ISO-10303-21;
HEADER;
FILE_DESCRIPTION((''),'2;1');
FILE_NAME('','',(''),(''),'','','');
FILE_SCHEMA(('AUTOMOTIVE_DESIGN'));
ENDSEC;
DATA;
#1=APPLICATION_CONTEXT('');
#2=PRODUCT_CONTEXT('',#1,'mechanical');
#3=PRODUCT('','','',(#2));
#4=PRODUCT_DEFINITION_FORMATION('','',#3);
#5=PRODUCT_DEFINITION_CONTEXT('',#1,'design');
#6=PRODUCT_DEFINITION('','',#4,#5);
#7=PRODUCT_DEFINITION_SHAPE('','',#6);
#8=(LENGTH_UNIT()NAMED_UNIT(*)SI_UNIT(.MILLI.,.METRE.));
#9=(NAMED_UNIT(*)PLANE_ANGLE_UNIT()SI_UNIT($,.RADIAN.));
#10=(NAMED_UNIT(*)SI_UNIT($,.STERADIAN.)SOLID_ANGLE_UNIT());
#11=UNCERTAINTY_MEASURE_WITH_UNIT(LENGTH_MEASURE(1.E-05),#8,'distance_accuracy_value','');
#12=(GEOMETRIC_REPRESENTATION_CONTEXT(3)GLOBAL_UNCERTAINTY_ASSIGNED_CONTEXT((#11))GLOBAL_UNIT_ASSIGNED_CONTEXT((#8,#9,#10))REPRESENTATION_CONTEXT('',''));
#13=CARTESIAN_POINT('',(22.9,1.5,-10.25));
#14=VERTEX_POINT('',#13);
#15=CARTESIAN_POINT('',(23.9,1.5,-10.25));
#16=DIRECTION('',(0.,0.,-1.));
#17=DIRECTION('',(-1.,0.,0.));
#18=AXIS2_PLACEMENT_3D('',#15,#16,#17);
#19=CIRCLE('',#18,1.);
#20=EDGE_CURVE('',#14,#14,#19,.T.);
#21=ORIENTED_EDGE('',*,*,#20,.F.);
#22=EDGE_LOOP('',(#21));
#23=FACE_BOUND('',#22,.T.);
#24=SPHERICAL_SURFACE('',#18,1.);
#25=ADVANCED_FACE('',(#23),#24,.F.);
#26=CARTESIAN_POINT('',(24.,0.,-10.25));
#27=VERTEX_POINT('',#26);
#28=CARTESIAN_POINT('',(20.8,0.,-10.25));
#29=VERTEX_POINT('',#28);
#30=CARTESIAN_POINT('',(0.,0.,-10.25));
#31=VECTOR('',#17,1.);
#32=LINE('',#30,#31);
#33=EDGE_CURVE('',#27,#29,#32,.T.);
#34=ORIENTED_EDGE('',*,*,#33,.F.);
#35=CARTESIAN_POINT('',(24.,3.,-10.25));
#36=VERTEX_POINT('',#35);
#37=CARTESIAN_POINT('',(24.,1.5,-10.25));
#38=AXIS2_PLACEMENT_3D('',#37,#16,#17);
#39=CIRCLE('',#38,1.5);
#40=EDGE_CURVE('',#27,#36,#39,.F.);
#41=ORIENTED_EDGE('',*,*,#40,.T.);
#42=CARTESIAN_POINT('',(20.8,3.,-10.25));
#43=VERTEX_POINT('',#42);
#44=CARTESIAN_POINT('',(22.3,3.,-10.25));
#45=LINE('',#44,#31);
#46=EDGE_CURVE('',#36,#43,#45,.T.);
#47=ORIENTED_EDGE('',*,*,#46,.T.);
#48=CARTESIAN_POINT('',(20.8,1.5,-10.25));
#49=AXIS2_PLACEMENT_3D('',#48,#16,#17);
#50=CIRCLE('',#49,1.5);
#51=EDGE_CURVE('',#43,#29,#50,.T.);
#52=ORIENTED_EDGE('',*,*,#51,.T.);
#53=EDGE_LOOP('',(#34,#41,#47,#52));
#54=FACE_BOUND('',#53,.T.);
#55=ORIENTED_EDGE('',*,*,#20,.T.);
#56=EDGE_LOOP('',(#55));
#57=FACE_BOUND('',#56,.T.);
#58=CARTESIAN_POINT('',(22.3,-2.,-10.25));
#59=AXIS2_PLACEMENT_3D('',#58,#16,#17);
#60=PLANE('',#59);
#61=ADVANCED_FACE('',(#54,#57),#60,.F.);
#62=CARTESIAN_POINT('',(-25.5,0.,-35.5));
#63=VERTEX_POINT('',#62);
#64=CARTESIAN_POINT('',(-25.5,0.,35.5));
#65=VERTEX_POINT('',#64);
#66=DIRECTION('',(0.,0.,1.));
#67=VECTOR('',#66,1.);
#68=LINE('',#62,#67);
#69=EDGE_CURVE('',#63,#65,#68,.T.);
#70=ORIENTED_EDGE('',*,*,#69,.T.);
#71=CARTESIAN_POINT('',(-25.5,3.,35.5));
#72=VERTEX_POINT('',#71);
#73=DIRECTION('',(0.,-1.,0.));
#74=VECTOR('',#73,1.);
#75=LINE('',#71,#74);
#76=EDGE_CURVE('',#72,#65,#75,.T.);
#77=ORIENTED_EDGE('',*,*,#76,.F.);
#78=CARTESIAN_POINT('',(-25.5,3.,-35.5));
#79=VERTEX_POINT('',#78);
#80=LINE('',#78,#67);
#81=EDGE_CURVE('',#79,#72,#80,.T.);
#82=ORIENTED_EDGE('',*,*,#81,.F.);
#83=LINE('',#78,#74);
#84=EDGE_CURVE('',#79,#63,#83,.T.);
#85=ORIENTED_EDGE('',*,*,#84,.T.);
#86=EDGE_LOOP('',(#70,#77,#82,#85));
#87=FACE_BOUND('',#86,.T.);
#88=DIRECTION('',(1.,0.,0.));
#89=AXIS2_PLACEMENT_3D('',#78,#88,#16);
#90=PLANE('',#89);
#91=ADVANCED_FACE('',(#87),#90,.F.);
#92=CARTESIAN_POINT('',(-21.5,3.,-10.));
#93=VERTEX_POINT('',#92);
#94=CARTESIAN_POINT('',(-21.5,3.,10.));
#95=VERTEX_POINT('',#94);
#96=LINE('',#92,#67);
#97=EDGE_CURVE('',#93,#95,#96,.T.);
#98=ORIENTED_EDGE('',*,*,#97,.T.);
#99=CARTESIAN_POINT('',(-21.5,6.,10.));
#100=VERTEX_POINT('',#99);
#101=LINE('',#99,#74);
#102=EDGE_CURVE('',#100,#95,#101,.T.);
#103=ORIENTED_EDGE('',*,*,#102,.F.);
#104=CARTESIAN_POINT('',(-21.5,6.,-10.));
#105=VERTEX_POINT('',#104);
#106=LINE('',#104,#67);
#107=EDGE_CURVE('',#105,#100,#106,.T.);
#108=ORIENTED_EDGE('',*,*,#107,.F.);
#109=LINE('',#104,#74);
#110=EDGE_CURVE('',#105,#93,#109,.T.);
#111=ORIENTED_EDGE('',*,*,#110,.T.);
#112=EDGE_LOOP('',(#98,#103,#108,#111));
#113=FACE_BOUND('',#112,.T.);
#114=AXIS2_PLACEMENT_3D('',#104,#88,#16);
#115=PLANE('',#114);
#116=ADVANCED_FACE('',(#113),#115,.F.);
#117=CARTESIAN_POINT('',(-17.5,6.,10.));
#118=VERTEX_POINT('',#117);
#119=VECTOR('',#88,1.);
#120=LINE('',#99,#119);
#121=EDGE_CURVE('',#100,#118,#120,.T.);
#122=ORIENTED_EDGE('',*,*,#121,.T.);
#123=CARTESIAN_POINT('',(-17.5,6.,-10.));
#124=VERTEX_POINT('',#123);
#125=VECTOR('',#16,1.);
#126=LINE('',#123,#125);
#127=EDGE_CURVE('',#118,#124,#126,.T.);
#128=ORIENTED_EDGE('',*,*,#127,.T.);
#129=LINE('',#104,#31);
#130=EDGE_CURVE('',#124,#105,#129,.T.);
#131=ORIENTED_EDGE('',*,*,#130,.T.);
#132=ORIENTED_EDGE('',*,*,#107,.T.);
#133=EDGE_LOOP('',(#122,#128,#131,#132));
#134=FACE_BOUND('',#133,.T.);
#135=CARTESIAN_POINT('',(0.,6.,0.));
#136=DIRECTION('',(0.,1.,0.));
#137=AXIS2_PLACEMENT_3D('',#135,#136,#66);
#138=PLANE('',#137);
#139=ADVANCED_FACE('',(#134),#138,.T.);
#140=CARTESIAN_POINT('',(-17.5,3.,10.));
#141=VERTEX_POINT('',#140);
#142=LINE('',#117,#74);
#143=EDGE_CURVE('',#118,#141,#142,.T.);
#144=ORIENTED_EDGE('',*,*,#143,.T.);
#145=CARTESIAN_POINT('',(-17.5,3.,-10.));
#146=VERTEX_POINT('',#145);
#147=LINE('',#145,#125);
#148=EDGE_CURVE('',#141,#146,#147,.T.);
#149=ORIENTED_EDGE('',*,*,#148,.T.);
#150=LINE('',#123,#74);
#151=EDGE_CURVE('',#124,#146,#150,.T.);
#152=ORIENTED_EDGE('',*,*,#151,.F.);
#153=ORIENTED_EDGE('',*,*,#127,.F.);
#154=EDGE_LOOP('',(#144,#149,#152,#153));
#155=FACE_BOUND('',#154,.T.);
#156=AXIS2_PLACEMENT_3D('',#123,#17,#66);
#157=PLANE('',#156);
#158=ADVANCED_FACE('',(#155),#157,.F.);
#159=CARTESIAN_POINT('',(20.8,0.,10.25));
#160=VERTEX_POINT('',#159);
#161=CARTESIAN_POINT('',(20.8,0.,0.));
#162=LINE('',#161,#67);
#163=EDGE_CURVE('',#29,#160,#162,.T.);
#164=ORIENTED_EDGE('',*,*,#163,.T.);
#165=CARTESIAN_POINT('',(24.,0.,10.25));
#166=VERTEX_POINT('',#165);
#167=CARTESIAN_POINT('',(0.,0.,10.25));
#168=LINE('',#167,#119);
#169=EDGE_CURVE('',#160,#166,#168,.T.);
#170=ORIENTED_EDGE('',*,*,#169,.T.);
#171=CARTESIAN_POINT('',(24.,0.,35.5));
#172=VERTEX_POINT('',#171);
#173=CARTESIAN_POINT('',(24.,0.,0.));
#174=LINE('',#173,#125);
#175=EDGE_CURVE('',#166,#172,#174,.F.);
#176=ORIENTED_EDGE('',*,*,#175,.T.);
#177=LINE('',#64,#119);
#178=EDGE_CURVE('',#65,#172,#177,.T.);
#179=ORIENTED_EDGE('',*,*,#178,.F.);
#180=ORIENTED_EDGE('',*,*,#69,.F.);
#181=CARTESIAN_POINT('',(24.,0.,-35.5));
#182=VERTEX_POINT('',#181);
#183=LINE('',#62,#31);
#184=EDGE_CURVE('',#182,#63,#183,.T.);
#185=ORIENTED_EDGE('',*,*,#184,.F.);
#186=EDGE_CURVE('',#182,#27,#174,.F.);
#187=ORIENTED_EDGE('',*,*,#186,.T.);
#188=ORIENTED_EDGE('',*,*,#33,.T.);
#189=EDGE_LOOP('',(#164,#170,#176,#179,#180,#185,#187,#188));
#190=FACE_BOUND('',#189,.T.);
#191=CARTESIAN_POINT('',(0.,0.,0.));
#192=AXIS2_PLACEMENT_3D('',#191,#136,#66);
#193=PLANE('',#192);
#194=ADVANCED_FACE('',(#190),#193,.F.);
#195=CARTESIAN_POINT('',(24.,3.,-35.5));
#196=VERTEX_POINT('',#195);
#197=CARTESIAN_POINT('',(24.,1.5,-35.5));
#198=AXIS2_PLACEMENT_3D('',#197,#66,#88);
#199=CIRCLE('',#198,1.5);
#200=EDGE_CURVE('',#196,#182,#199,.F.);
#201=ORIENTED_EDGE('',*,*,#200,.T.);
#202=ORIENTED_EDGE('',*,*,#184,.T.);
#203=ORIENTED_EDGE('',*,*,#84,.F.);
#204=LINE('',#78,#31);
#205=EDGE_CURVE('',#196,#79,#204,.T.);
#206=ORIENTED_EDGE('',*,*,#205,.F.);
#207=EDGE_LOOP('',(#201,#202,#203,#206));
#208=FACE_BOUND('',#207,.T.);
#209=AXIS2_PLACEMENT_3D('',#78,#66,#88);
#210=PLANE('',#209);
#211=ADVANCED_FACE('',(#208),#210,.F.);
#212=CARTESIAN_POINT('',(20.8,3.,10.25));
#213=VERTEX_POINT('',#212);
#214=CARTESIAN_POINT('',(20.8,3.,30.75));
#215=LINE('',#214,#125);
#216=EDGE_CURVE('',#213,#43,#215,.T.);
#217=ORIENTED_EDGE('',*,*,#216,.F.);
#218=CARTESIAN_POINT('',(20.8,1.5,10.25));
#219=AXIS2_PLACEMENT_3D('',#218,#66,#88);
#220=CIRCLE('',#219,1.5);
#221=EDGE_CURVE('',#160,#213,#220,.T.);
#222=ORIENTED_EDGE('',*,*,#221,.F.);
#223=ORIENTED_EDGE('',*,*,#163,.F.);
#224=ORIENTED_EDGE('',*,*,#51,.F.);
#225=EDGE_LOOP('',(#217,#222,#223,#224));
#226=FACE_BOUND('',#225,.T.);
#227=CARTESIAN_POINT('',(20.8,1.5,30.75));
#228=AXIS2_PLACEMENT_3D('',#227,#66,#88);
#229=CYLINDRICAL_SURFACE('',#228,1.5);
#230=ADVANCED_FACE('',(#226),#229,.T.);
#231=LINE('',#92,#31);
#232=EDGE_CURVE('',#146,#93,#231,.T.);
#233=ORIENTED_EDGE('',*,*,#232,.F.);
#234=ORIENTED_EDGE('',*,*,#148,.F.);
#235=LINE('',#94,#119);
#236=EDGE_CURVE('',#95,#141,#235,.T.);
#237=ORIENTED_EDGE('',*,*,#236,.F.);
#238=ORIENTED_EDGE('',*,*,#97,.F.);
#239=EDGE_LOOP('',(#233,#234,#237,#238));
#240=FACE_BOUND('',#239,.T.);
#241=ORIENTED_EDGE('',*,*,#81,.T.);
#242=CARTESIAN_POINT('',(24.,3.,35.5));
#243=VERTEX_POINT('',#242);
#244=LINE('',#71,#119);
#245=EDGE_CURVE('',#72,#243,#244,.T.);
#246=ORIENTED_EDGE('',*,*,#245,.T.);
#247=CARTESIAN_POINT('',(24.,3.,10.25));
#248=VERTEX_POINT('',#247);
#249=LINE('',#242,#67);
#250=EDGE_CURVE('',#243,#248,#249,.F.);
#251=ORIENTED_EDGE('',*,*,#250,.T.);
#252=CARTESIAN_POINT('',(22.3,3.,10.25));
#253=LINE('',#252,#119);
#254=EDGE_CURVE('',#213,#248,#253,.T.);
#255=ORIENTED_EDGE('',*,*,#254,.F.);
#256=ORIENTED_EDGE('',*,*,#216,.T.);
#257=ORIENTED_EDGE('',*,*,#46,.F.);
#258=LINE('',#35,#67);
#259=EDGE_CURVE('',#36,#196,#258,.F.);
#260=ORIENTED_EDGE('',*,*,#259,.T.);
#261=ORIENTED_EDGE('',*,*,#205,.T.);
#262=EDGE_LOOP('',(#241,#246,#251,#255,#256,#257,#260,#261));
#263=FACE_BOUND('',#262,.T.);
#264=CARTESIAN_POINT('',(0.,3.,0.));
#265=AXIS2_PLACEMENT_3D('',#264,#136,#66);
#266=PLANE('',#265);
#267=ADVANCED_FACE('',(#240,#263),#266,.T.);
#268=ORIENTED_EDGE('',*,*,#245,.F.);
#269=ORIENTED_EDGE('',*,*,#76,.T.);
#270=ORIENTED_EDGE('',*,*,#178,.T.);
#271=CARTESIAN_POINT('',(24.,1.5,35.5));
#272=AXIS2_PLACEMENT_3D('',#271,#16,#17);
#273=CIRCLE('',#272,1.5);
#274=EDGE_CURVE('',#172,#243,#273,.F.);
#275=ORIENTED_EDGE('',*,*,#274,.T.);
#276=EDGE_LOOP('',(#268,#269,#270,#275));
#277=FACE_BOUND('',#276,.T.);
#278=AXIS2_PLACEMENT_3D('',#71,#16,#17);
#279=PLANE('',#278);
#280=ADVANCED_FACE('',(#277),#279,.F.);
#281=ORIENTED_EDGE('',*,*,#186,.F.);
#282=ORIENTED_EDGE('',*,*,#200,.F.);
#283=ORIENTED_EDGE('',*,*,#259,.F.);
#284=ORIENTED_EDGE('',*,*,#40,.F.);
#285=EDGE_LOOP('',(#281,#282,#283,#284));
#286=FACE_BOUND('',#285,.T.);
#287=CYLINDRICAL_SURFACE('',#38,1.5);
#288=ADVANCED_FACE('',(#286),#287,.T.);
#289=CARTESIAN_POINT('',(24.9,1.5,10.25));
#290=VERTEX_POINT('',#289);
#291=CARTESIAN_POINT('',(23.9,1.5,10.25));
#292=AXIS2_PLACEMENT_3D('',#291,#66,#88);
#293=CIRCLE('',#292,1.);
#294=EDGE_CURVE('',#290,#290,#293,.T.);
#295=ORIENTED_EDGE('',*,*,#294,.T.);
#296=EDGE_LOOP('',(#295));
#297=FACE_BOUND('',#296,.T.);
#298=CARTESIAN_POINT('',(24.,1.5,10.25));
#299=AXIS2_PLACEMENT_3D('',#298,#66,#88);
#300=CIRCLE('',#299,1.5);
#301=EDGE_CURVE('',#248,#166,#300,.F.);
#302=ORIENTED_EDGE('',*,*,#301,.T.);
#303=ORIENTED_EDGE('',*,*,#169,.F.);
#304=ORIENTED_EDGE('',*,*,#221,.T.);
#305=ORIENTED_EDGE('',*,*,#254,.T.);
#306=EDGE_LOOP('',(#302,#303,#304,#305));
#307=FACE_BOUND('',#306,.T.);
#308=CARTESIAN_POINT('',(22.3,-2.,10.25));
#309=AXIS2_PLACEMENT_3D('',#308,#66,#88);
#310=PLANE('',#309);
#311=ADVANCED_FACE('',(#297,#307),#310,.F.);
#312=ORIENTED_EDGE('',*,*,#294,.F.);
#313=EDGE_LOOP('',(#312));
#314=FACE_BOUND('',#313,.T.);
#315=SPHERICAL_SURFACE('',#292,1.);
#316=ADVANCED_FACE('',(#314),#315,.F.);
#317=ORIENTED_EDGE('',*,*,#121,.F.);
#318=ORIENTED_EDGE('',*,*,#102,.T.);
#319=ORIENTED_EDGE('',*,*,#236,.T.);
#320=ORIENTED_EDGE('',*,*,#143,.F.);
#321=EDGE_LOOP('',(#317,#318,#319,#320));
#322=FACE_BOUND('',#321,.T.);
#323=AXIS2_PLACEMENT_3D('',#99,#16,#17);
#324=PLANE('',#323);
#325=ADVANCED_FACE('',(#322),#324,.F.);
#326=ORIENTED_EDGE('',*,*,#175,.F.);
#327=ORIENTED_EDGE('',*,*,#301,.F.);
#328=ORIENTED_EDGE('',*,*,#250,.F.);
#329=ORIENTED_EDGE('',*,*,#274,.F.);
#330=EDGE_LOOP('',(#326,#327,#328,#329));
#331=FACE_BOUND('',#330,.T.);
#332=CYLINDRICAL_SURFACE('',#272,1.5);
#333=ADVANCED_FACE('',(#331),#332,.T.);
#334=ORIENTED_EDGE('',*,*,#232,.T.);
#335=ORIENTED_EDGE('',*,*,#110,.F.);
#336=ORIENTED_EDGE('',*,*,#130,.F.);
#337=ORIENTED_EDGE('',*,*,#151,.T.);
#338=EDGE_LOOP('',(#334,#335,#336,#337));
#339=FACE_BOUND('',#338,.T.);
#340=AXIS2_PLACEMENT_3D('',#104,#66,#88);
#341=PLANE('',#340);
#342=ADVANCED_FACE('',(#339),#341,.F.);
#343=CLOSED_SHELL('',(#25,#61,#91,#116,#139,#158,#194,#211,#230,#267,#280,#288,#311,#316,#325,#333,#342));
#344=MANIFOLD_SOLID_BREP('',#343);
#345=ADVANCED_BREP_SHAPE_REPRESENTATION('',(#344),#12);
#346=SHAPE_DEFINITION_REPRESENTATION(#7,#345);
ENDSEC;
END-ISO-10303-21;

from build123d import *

# Parameters (mm, degrees)
SKETCH1_W           = 51
SKETCH1_H           = 71
BOSS_EXTRUDE1_DEPTH = 3
SKETCH2_W           = 4
SKETCH2_H           = 20
BOSS_EXTRUDE3_DEPTH = 3
SKETCH4_W           = 3.2
SKETCH4_H           = 20.5
CUT_EXTRUDE1_DEPTH  = 5
FILLET1_RADIUS      = 1.5
FILLET1_LENGTH      = 25.25
FILLET2_RADIUS      = 1.5
FILLET2_LENGTH      = 20.5
FILLET3_RADIUS      = 1.5
FILLET3_LENGTH      = 25.25


with BuildPart() as part:
    # Sketch1 → Boss-Extrude1 (new body)
    with BuildSketch(Plane(origin=(0, 0, 0), x_dir=(1, 0, 0), z_dir=(0, 1, 0))):
        Rectangle(SKETCH1_W, SKETCH1_H)
    extrude(amount=BOSS_EXTRUDE1_DEPTH)

    # Sketch2 → Boss-Extrude3 (add)
    with BuildSketch(Plane(origin=(0, 3, 0), x_dir=(1, 0, 0), z_dir=(0, 1, 0))):
        with Locations((-19.5, 0)):
            Rectangle(SKETCH2_W, SKETCH2_H)
    extrude(amount=BOSS_EXTRUDE3_DEPTH)

    # Sketch4 → Cut-Extrude1 (cut)
    with BuildSketch(Plane(origin=(0, 3, 0), x_dir=(1, 0, 0), z_dir=(0, 1, 0))):
        with Locations((23.9, 0)):
            Rectangle(SKETCH4_W, SKETCH4_H)
    extrude(amount=-CUT_EXTRUDE1_DEPTH, mode=Mode.SUBTRACT)

    # Sketch6 → Cut-Revolve1 (revolve, cut)
    with BuildSketch(Plane.XY.offset(-10.25)):
        with BuildLine():
            Line((22.90000003, 1.5), (24.89999997, 1.5))
            ThreePointArc((24.89999997, 1.5), (23.9, 0.50000003), (22.90000003, 1.5))
        make_face()
    cut_revolve1 = revolve(axis=Axis((22.90000003, 1.5, -10.25), (1, 0, 0)), mode=Mode.SUBTRACT)

    # Mirror1: Cut-Revolve1 across plane
    add(cut_revolve1.mirror(Plane.XY), mode=Mode.SUBTRACT)

    # Fillet1: full round fillet: the end face becomes a half cylinder, R = half its width
    fillet1_face = Plane((25.5, 1.5, 22.875), x_dir=(0, 0, 1), z_dir=(1, 0, 0))  # on the end face: x along it, z out of the body
    fillet1_slab = fillet1_face.offset(-FILLET1_RADIUS / 2) * Box(FILLET1_LENGTH, 2 * FILLET1_RADIUS, FILLET1_RADIUS, mode=Mode.PRIVATE)  # the body's end, R deep
    fillet1_round = Plane((24, 1.5, 22.875), x_dir=(1, 0, 0), z_dir=(0, 0, 1)) * Cylinder(FILLET1_RADIUS, FILLET1_LENGTH, mode=Mode.PRIVATE)  # its axis R under the face
    add(fillet1_slab - fillet1_round, mode=Mode.SUBTRACT)

    # Fillet2: full round fillet: the end face becomes a half cylinder, R = half its width
    fillet2_face = Plane((22.3, 1.5, 0), x_dir=(0, 0, -1), z_dir=(1, 0, 0))  # on the end face: x along it, z out of the body
    fillet2_slab = fillet2_face.offset(-FILLET2_RADIUS / 2) * Box(FILLET2_LENGTH, 2 * FILLET2_RADIUS, FILLET2_RADIUS, mode=Mode.PRIVATE)  # the body's end, R deep
    fillet2_round = Plane((20.8, 1.5, 0), x_dir=(1, 0, 0), z_dir=(0, 0, -1)) * Cylinder(FILLET2_RADIUS, FILLET2_LENGTH, mode=Mode.PRIVATE)  # its axis R under the face
    add(fillet2_slab - fillet2_round, mode=Mode.SUBTRACT)

    # Fillet3: full round fillet: the end face becomes a half cylinder, R = half its width
    fillet3_face = Plane((25.5, 1.5, -22.875), x_dir=(0, 0, -1), z_dir=(1, 0, 0))  # on the end face: x along it, z out of the body
    fillet3_slab = fillet3_face.offset(-FILLET3_RADIUS / 2) * Box(FILLET3_LENGTH, 2 * FILLET3_RADIUS, FILLET3_RADIUS, mode=Mode.PRIVATE)  # the body's end, R deep
    fillet3_round = Plane((24, 1.5, -22.875), x_dir=(1, 0, 0), z_dir=(0, 0, -1)) * Cylinder(FILLET3_RADIUS, FILLET3_LENGTH, mode=Mode.PRIVATE)  # its axis R under the face
    add(fillet3_slab - fillet3_round, mode=Mode.SUBTRACT)


solid = part.part
